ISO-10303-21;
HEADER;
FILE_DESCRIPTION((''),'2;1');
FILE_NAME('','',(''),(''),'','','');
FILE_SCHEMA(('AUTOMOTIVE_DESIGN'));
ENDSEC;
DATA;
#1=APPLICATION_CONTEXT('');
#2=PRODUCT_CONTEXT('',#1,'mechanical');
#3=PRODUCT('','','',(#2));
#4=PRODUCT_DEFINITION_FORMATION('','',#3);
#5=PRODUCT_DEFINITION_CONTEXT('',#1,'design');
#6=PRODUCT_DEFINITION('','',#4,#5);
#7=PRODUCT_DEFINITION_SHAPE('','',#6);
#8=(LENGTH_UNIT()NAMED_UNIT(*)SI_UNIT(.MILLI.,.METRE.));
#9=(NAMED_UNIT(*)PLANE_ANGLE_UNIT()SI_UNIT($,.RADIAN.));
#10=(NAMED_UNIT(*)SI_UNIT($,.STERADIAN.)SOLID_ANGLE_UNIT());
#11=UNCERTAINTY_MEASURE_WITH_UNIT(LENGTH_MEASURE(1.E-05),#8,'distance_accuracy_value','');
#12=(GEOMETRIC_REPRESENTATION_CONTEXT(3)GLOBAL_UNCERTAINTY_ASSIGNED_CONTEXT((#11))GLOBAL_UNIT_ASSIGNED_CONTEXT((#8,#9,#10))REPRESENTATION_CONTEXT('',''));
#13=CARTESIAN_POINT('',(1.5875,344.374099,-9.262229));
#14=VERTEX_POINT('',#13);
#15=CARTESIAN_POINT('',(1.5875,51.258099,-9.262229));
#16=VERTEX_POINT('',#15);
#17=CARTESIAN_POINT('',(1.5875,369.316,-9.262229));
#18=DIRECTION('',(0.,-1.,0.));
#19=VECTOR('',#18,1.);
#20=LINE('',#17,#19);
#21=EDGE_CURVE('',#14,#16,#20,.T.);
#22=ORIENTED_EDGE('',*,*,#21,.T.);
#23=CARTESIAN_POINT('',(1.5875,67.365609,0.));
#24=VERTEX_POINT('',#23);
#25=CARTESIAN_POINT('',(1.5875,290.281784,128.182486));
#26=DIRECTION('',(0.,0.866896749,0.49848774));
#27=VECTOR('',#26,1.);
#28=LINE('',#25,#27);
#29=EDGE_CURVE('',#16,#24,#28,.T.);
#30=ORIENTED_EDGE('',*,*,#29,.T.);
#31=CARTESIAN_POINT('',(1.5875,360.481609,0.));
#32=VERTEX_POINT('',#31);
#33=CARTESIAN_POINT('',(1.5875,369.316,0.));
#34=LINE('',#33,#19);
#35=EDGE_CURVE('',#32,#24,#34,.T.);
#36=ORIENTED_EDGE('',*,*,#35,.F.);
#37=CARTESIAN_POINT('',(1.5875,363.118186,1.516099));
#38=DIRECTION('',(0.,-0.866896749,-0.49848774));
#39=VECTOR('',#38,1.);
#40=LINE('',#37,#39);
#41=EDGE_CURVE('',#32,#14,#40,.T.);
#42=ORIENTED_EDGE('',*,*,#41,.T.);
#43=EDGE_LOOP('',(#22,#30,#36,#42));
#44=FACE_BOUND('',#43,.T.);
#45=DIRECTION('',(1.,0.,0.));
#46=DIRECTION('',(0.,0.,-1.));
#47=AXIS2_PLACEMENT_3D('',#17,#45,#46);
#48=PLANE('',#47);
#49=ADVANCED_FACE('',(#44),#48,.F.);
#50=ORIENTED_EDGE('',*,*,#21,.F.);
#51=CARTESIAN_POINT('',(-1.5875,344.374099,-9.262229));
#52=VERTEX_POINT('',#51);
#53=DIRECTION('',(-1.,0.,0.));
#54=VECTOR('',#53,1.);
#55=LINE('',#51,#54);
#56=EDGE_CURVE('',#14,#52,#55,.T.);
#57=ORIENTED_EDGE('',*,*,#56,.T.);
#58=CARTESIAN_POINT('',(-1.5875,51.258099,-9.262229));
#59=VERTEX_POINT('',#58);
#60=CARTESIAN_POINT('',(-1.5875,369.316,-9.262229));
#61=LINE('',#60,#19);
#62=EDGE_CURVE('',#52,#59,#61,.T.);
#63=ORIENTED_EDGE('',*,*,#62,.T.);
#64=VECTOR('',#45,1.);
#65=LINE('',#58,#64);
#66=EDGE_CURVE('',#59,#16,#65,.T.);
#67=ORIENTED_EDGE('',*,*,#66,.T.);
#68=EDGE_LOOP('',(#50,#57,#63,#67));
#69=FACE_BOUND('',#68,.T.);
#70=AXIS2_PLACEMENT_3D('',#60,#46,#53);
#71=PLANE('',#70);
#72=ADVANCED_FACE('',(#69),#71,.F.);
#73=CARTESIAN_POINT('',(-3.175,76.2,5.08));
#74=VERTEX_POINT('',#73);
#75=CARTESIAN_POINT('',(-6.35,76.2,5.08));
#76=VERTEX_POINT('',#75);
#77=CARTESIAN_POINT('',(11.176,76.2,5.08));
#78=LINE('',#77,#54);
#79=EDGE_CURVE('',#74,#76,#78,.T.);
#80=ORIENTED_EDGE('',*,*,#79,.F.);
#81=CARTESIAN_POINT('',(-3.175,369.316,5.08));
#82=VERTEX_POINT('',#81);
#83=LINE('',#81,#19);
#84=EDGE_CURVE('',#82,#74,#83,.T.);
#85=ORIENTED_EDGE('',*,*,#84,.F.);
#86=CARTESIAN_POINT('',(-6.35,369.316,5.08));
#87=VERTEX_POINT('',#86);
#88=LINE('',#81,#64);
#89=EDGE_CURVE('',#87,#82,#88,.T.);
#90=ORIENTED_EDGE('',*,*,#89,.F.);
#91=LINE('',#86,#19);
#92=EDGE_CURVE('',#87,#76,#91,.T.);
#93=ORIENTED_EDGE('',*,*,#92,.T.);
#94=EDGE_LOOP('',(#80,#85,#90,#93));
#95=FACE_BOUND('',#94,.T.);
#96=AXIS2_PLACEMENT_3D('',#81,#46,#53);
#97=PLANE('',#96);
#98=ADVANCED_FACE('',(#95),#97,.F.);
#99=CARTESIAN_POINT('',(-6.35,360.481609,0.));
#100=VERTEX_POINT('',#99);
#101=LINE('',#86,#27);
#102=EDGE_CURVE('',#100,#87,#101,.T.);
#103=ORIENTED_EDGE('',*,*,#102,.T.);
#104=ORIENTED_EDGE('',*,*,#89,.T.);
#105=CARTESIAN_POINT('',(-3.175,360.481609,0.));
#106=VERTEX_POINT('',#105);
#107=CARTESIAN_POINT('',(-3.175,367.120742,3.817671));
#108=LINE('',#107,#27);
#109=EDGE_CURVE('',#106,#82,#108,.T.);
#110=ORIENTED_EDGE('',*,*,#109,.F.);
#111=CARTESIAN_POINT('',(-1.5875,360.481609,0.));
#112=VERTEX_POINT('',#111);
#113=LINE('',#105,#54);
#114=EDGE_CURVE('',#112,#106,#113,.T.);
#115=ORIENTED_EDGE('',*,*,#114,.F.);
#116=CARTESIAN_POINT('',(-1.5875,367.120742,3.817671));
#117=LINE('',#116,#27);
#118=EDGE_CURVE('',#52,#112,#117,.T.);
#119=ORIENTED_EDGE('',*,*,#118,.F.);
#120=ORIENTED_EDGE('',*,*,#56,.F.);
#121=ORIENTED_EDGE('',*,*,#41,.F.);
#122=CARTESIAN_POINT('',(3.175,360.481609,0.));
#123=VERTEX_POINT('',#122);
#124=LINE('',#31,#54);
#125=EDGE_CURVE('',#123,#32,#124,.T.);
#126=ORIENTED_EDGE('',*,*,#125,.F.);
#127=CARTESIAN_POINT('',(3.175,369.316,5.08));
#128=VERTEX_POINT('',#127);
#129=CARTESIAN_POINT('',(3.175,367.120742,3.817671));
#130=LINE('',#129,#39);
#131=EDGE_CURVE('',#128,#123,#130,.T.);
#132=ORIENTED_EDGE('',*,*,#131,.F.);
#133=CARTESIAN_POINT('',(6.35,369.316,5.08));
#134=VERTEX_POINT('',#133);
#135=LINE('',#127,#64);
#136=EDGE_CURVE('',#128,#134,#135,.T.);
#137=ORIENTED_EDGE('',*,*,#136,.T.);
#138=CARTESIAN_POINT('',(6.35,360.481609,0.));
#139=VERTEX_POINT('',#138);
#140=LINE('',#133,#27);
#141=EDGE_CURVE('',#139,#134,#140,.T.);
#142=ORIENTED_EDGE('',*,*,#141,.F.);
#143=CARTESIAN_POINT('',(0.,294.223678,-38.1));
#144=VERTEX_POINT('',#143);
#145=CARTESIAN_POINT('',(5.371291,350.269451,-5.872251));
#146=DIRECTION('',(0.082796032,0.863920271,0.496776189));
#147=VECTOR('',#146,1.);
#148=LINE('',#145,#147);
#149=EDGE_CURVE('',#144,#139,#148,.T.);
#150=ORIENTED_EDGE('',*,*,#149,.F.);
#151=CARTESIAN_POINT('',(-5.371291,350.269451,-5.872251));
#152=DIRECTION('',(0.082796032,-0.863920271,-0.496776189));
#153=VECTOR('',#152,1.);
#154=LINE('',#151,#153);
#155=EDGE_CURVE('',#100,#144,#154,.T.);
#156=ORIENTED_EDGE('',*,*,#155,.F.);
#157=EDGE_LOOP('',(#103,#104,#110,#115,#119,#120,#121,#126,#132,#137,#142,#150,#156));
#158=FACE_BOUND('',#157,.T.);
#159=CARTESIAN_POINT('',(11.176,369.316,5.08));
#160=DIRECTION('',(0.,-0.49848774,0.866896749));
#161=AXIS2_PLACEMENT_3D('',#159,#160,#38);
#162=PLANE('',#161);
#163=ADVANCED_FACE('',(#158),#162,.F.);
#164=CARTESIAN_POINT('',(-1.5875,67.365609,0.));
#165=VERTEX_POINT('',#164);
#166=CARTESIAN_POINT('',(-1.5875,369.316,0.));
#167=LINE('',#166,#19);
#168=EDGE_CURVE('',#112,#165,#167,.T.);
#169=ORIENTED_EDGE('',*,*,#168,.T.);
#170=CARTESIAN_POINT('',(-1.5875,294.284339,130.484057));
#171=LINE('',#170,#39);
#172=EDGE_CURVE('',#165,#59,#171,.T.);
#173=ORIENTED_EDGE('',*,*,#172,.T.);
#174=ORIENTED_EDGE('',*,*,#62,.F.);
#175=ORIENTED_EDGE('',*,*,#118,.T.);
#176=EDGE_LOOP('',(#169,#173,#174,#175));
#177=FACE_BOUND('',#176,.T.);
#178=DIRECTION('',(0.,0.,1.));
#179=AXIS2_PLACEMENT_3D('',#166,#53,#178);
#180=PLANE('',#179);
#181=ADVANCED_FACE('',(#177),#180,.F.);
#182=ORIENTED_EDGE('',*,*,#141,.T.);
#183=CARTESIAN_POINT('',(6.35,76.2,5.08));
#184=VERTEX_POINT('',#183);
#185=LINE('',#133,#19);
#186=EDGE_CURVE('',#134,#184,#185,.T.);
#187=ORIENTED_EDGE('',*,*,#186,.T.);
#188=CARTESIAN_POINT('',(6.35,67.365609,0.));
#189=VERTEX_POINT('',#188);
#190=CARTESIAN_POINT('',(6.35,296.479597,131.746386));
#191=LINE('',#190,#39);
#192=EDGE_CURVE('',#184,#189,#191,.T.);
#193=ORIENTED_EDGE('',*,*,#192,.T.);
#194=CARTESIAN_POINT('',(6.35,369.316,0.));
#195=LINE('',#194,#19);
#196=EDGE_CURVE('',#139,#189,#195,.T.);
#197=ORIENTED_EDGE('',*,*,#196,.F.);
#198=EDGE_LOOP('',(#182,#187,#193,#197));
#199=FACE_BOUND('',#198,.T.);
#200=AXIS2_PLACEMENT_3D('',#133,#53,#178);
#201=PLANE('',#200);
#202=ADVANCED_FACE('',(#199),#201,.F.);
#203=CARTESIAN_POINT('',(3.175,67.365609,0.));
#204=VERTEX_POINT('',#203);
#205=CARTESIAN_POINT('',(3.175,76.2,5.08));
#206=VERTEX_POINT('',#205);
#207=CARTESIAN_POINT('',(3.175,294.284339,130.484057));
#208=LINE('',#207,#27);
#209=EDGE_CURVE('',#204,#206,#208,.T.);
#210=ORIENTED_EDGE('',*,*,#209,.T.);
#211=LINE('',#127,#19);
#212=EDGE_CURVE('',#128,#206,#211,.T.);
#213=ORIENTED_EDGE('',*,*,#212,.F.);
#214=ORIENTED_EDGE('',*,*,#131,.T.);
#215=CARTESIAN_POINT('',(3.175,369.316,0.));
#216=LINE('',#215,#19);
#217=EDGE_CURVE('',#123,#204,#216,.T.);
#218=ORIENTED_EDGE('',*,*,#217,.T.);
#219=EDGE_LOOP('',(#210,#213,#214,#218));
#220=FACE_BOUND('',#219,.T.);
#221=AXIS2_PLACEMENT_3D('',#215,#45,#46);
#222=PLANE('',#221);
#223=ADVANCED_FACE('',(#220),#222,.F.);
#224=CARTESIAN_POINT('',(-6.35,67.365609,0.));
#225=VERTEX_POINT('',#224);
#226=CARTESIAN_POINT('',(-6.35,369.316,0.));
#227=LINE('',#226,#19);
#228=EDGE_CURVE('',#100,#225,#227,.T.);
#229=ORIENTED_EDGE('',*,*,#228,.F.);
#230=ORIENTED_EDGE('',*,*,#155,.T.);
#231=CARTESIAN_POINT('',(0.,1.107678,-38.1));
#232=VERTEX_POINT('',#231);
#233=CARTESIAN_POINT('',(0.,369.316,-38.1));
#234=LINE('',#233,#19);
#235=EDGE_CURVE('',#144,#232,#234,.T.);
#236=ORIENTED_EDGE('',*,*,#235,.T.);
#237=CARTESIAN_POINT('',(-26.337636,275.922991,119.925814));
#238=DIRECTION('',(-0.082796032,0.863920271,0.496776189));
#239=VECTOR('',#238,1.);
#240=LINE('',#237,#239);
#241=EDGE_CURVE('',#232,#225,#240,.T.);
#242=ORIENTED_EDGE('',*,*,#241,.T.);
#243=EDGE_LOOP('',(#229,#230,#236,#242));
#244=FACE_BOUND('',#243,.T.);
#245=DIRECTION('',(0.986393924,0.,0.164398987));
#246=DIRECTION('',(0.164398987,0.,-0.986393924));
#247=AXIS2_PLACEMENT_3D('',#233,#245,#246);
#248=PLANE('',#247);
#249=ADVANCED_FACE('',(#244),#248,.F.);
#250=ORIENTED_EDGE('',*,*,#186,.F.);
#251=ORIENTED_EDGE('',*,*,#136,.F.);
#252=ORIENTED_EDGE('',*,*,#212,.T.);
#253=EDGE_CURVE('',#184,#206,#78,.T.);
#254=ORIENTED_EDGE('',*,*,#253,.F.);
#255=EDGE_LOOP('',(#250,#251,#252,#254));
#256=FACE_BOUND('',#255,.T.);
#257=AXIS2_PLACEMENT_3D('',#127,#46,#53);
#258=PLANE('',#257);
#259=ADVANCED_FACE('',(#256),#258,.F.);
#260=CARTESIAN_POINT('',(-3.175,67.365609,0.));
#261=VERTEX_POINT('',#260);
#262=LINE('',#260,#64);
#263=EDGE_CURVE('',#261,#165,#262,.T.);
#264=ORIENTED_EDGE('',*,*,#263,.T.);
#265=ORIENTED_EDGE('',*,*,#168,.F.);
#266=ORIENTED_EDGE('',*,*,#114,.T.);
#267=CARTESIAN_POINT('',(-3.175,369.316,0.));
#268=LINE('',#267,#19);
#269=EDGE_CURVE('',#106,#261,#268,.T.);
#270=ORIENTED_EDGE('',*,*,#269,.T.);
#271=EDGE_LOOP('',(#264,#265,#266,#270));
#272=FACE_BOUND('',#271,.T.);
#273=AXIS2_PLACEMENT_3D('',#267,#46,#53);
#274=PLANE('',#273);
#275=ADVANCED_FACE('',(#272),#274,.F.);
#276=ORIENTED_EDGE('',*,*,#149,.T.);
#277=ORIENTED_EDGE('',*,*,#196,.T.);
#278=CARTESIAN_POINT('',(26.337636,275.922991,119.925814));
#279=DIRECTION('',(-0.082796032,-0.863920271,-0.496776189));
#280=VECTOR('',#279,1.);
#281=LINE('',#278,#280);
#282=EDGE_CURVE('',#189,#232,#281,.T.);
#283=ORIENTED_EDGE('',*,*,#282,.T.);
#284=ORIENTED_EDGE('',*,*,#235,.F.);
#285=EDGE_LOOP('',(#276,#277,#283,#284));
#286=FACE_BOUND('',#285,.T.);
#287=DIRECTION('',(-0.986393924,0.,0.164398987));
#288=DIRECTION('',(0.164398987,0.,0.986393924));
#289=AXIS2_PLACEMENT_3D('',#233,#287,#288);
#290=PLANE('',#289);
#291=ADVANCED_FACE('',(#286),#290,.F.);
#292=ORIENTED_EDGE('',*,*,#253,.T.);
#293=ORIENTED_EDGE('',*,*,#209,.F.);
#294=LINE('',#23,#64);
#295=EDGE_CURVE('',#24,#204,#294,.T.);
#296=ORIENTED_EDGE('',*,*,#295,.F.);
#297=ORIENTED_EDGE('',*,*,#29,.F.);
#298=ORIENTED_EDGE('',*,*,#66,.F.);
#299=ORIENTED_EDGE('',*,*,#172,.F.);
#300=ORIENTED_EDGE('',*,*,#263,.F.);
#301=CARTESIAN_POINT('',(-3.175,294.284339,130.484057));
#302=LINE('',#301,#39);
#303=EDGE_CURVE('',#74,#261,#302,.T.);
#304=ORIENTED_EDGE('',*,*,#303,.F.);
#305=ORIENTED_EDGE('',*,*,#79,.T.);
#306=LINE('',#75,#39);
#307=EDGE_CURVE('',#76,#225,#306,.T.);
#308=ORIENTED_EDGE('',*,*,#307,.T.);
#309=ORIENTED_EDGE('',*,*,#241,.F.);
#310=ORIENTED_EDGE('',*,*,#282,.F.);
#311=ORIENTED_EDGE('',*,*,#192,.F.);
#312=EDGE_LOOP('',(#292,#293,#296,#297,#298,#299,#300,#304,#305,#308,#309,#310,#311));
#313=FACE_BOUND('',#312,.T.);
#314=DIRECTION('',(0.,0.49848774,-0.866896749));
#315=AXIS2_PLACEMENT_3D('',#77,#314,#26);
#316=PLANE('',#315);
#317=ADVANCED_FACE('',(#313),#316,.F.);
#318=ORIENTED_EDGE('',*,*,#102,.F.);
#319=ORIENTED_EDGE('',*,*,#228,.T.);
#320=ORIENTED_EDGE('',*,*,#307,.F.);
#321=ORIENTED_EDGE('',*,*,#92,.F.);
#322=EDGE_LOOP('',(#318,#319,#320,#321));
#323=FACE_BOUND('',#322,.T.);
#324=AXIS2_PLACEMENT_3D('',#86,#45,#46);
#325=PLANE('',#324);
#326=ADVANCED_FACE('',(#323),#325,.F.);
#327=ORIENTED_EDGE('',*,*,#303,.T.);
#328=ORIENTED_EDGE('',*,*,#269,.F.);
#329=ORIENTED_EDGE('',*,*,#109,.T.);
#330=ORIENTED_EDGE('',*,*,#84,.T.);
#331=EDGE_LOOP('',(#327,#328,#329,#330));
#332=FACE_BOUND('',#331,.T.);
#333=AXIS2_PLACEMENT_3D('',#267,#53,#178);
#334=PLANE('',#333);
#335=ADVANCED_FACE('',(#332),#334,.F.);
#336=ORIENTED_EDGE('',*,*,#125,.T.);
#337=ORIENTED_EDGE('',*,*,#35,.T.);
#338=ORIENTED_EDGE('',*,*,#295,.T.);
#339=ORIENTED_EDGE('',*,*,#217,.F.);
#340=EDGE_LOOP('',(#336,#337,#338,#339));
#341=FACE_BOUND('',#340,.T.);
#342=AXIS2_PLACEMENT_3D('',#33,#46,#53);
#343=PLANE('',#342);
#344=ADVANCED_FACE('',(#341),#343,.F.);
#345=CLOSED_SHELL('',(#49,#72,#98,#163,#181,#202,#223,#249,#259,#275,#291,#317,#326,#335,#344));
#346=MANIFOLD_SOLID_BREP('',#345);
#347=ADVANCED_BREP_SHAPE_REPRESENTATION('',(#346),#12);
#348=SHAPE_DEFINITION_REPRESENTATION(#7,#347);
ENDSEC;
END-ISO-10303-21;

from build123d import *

# Parameters (mm, degrees)
BOSS_EXTRUDE1_DEPTH = 369.316
CUT_EXTRUDE1_DEPTH  = 17.526
CUT_EXTRUDE2_DEPTH  = 17.526


with BuildPart() as part:
    # Sketch1 → Boss-Extrude1 (new body)
    with BuildSketch(Plane(origin=(0, 0, 0), x_dir=(1, 0, 0), z_dir=(0, 1, 0))):
        Polygon((0, 38.1), (-6.35, 0), (-6.35, -5.08), (-3.175, -5.08), (-3.175, 0), (-1.5875, 0), (-1.5875, 9.262228966), (1.5875, 9.262228966), (1.5875, 0), (3.175, 0), (3.175, -5.08), (6.35, -5.08), (6.35, 0), align=None)
    extrude(amount=BOSS_EXTRUDE1_DEPTH)

    # Sketch2 → Cut-Extrude1 (cut)
    with BuildSketch(Plane.ZY.offset(6.35)):
        Polygon((5.08, 369.316), (-38.1, 294.223678497), (-38.1, 369.316), align=None)
    extrude(amount=-CUT_EXTRUDE1_DEPTH, mode=Mode.SUBTRACT)

    # Sketch3 → Cut-Extrude2 (cut)
    with BuildSketch(Plane.ZY.offset(6.35)):
        Polygon((5.08, 76.2), (-38.1, 1.107678497), (-38.1, 0), (5.08, 0), align=None)
    extrude(amount=-CUT_EXTRUDE2_DEPTH, mode=Mode.SUBTRACT)


solid = part.part
